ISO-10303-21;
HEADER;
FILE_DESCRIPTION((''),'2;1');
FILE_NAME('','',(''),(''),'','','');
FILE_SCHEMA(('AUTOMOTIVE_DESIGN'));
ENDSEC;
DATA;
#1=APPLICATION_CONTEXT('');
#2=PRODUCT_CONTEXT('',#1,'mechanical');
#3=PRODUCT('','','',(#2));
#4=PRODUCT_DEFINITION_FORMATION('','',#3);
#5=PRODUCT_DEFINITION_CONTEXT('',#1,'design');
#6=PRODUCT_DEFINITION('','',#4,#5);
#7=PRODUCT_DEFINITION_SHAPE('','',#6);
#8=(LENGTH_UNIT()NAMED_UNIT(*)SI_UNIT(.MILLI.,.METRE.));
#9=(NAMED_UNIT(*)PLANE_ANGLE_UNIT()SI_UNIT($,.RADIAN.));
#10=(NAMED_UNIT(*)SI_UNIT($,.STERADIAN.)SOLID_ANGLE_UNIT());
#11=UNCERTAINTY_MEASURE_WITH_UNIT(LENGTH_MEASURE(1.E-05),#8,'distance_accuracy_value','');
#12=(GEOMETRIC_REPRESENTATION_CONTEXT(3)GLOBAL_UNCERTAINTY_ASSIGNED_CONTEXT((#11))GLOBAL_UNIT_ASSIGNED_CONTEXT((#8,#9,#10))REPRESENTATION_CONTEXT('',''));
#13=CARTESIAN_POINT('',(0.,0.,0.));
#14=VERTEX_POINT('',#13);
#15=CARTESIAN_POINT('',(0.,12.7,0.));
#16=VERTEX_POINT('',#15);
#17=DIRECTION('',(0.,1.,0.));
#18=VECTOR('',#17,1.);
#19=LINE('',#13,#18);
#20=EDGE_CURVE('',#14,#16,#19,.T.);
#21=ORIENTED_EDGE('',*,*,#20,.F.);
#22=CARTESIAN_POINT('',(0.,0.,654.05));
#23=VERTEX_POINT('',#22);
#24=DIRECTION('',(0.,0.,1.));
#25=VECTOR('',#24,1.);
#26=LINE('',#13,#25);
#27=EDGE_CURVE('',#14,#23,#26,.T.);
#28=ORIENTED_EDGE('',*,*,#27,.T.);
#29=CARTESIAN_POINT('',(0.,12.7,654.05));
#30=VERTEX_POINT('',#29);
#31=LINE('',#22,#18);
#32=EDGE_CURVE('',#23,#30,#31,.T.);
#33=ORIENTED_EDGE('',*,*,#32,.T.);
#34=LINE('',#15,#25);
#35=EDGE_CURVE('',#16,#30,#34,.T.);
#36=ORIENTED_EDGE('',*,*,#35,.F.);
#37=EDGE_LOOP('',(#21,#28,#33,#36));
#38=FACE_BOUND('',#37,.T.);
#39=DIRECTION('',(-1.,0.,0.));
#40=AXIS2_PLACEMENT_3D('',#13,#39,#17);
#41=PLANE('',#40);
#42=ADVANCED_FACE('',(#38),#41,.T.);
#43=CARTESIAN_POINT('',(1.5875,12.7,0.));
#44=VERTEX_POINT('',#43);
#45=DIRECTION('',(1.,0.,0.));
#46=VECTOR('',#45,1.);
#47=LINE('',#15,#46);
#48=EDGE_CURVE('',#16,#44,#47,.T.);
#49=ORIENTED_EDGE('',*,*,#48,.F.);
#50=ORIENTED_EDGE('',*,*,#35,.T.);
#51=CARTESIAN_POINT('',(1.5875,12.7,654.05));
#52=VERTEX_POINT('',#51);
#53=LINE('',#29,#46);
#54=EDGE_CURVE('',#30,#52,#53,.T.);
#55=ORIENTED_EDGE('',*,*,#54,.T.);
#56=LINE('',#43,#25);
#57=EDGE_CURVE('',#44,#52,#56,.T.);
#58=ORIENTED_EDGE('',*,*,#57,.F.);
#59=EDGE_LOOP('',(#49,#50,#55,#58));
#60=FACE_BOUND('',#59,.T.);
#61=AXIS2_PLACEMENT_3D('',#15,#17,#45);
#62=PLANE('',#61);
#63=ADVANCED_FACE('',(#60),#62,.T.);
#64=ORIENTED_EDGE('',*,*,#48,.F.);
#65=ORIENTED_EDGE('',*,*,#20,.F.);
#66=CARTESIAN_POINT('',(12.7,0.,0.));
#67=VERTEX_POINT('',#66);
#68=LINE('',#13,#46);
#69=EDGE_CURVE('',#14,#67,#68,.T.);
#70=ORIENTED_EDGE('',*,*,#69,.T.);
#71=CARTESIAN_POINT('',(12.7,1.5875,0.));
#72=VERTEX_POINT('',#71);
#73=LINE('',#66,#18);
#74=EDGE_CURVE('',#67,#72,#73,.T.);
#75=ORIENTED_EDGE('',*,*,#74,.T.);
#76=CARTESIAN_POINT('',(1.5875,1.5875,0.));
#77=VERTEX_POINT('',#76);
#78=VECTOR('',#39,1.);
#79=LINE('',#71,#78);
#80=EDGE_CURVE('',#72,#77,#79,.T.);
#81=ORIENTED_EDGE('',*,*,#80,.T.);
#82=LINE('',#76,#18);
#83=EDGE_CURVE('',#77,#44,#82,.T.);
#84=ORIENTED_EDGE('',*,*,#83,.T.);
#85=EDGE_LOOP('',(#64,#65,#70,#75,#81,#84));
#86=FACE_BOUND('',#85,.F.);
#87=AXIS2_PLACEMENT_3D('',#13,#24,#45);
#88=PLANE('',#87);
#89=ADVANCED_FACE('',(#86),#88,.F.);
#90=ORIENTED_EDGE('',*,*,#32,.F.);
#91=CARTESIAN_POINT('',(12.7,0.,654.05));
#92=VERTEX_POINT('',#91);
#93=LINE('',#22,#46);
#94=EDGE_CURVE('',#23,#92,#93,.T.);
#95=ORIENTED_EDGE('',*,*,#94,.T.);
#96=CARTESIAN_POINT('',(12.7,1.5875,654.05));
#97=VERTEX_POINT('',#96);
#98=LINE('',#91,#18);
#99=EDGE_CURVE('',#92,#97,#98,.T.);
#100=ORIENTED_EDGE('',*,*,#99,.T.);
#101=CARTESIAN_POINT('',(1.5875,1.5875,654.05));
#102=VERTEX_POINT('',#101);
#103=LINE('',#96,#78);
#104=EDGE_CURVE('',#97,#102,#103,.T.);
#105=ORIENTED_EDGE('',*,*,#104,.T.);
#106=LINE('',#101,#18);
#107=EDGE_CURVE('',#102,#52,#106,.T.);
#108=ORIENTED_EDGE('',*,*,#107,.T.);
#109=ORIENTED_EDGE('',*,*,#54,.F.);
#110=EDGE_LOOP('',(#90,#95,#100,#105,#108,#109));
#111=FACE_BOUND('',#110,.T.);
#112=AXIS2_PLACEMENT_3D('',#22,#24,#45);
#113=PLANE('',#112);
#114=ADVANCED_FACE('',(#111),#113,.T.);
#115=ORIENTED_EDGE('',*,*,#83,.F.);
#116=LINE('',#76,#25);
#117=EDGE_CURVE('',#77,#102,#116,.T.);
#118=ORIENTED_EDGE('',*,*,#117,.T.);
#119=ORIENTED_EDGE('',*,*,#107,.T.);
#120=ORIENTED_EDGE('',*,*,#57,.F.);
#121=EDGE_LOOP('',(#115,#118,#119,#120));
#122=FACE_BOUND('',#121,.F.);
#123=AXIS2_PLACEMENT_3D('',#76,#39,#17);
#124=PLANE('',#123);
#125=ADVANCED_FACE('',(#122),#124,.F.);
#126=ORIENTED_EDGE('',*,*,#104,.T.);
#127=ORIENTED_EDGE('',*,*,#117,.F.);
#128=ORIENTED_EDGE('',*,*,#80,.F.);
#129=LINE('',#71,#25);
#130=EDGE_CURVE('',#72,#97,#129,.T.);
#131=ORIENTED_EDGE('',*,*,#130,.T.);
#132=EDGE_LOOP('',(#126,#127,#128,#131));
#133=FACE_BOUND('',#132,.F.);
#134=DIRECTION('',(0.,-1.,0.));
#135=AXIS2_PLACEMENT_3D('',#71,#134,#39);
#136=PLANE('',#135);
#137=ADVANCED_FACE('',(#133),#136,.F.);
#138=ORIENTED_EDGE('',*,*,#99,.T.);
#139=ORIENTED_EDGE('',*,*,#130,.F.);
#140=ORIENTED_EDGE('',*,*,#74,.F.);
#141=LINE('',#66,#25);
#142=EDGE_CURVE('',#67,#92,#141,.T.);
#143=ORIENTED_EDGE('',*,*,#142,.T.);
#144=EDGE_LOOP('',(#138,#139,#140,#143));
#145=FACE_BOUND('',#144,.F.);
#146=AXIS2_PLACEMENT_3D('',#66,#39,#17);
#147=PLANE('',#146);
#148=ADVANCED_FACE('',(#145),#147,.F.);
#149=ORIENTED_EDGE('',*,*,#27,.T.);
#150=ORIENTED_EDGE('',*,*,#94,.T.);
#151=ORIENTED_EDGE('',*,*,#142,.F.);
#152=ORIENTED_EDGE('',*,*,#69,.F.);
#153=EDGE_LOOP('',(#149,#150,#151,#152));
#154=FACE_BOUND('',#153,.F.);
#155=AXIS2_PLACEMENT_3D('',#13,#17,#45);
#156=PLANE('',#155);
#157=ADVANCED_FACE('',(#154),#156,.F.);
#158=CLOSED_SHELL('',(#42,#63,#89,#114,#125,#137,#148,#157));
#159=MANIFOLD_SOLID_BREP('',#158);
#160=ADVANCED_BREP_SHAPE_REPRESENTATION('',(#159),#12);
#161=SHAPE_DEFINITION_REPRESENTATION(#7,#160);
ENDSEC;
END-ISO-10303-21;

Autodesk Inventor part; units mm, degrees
ref_plane "YZ Plane" through (0, 0, 0) normal (1, 0, 0) x (0, 1, 0)
ref_plane "XZ Plane" through (0, 0, 0) normal (0, 1, 0) x (-1, 0, 0)
ref_plane "XY Plane" through (0, 0, 0) normal (0, 0, 1) x (1, 0, 0)
sketch "Sketch1" plane through (0, 0, 0) normal (0, 0, 1) x (1, 0, 0)
  line L0 (0, 0) -> (0, 12.7)
  line L1 (0, 12.7) -> (1.5875, 12.7)
  line L2 (0, 0) -> (12.7, 0)
  line L3 (12.7, 0) -> (12.7, 1.5875)
  line L4 (12.7, 1.5875) -> (1.5875, 1.5875)
  line L5 (1.5875, 1.5875) -> (1.5875, 12.7)
  dimension "d0" = 12.7
  dimension "d1" = 1.5875
  dimension "d2" = 12.7
  dimension "d3" = 1.5875
extrude "Extrusion1" add sketch "Sketch1" along normal blind 654.05
properties part number "Bumper Metal Edge Part1 (26x28 robot)" material "Aluminum 6061"
